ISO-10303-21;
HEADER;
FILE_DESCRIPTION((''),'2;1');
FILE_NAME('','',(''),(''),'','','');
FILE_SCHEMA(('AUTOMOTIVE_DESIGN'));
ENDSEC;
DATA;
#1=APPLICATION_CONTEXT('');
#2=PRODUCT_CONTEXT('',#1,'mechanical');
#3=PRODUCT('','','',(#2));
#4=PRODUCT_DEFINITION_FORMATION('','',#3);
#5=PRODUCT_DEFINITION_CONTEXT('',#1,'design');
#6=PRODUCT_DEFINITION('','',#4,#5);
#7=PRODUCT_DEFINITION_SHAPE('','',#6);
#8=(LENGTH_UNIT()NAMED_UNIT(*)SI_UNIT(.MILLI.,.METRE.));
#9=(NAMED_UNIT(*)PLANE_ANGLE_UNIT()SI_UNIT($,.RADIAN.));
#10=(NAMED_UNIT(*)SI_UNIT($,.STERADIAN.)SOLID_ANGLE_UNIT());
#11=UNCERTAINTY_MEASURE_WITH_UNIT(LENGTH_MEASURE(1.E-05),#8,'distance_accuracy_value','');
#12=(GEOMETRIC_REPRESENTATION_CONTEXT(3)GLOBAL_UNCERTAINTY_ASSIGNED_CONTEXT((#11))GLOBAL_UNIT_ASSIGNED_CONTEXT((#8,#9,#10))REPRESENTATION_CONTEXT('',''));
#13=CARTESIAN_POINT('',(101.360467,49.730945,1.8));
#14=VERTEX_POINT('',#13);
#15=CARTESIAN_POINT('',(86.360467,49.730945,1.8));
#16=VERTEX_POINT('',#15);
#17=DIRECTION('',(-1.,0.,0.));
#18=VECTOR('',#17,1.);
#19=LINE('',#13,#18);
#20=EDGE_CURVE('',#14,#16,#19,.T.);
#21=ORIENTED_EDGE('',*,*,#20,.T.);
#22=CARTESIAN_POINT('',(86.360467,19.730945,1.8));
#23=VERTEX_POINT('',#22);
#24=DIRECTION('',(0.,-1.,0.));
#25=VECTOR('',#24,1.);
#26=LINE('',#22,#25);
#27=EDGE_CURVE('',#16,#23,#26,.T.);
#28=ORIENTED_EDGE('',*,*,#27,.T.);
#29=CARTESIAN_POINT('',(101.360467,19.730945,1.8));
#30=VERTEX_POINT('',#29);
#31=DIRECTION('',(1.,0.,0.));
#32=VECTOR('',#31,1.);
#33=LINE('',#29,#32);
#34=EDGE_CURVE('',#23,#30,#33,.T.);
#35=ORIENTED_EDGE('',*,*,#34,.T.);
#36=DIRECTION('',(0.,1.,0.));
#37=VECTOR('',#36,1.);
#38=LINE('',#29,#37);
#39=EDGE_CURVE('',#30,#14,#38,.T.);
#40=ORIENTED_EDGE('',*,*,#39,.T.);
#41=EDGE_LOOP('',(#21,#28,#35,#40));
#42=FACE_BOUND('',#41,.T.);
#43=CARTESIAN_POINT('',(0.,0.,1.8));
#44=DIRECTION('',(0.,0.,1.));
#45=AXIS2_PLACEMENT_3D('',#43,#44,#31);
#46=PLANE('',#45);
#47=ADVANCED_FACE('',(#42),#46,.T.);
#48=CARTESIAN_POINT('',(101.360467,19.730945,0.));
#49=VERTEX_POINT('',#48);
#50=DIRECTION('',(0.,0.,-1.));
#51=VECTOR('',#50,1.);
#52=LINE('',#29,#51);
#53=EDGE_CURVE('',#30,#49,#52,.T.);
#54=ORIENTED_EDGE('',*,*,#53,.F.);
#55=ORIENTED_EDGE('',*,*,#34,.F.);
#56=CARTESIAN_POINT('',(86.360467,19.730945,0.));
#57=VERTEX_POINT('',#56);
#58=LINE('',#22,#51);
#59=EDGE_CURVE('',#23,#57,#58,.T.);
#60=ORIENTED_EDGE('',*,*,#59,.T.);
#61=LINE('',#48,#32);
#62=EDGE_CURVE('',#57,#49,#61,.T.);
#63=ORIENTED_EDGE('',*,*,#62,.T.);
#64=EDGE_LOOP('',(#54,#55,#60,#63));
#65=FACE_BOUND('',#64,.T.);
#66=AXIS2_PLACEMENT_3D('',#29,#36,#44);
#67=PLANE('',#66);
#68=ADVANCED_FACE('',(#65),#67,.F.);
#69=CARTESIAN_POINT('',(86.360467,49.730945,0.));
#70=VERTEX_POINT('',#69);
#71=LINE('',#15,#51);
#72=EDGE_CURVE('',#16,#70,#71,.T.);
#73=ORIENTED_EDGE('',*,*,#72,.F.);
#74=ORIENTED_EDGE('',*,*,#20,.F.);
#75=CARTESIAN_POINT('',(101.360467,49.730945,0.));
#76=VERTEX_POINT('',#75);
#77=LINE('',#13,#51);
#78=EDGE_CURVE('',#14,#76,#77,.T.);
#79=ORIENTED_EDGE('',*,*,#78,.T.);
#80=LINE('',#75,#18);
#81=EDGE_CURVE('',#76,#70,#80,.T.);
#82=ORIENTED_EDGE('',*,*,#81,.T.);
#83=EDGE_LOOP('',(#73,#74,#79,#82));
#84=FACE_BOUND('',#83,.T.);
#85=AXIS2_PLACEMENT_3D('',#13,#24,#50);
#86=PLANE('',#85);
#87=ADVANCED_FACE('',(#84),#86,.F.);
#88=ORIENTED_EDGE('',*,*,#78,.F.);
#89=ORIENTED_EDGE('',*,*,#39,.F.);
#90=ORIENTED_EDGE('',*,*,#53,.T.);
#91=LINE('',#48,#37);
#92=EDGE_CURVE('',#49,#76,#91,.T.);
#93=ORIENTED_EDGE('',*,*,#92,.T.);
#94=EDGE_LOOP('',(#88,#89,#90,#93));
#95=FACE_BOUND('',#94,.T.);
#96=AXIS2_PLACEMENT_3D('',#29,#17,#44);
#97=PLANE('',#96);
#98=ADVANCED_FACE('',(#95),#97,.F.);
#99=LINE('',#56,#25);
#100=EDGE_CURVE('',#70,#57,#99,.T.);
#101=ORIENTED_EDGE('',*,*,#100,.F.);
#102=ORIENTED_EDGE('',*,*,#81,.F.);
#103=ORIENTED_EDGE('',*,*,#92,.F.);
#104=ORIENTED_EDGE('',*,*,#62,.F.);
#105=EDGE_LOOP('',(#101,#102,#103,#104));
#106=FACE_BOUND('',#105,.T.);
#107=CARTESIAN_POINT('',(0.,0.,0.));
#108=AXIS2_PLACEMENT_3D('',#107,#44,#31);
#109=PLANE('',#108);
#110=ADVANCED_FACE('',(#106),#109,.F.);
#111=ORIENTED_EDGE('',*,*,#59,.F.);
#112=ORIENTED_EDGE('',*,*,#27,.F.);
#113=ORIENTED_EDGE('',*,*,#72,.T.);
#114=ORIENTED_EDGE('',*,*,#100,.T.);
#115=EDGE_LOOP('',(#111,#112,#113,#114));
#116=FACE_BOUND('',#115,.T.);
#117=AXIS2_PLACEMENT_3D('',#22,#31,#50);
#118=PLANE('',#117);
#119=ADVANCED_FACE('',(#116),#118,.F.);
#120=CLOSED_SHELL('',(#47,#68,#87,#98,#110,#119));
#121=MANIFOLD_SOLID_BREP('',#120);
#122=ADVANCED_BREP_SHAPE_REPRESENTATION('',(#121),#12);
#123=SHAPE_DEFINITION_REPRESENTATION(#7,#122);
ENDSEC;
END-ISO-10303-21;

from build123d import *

# Parameters (mm, degrees)
ESBO_O1_W                = 15
ESBO_O1_H                = 30
RESSALTO_EXTRUS_O1_DEPTH = 1.8


with BuildPart() as part:
    # Esboço1 → Ressalto-extrusão1 (new body)
    with BuildSketch(Plane.XY):
        with Locations((93.86046672, 34.730944817)):
            Rectangle(ESBO_O1_W, ESBO_O1_H)
    extrude(amount=RESSALTO_EXTRUS_O1_DEPTH)


solid = part.part
